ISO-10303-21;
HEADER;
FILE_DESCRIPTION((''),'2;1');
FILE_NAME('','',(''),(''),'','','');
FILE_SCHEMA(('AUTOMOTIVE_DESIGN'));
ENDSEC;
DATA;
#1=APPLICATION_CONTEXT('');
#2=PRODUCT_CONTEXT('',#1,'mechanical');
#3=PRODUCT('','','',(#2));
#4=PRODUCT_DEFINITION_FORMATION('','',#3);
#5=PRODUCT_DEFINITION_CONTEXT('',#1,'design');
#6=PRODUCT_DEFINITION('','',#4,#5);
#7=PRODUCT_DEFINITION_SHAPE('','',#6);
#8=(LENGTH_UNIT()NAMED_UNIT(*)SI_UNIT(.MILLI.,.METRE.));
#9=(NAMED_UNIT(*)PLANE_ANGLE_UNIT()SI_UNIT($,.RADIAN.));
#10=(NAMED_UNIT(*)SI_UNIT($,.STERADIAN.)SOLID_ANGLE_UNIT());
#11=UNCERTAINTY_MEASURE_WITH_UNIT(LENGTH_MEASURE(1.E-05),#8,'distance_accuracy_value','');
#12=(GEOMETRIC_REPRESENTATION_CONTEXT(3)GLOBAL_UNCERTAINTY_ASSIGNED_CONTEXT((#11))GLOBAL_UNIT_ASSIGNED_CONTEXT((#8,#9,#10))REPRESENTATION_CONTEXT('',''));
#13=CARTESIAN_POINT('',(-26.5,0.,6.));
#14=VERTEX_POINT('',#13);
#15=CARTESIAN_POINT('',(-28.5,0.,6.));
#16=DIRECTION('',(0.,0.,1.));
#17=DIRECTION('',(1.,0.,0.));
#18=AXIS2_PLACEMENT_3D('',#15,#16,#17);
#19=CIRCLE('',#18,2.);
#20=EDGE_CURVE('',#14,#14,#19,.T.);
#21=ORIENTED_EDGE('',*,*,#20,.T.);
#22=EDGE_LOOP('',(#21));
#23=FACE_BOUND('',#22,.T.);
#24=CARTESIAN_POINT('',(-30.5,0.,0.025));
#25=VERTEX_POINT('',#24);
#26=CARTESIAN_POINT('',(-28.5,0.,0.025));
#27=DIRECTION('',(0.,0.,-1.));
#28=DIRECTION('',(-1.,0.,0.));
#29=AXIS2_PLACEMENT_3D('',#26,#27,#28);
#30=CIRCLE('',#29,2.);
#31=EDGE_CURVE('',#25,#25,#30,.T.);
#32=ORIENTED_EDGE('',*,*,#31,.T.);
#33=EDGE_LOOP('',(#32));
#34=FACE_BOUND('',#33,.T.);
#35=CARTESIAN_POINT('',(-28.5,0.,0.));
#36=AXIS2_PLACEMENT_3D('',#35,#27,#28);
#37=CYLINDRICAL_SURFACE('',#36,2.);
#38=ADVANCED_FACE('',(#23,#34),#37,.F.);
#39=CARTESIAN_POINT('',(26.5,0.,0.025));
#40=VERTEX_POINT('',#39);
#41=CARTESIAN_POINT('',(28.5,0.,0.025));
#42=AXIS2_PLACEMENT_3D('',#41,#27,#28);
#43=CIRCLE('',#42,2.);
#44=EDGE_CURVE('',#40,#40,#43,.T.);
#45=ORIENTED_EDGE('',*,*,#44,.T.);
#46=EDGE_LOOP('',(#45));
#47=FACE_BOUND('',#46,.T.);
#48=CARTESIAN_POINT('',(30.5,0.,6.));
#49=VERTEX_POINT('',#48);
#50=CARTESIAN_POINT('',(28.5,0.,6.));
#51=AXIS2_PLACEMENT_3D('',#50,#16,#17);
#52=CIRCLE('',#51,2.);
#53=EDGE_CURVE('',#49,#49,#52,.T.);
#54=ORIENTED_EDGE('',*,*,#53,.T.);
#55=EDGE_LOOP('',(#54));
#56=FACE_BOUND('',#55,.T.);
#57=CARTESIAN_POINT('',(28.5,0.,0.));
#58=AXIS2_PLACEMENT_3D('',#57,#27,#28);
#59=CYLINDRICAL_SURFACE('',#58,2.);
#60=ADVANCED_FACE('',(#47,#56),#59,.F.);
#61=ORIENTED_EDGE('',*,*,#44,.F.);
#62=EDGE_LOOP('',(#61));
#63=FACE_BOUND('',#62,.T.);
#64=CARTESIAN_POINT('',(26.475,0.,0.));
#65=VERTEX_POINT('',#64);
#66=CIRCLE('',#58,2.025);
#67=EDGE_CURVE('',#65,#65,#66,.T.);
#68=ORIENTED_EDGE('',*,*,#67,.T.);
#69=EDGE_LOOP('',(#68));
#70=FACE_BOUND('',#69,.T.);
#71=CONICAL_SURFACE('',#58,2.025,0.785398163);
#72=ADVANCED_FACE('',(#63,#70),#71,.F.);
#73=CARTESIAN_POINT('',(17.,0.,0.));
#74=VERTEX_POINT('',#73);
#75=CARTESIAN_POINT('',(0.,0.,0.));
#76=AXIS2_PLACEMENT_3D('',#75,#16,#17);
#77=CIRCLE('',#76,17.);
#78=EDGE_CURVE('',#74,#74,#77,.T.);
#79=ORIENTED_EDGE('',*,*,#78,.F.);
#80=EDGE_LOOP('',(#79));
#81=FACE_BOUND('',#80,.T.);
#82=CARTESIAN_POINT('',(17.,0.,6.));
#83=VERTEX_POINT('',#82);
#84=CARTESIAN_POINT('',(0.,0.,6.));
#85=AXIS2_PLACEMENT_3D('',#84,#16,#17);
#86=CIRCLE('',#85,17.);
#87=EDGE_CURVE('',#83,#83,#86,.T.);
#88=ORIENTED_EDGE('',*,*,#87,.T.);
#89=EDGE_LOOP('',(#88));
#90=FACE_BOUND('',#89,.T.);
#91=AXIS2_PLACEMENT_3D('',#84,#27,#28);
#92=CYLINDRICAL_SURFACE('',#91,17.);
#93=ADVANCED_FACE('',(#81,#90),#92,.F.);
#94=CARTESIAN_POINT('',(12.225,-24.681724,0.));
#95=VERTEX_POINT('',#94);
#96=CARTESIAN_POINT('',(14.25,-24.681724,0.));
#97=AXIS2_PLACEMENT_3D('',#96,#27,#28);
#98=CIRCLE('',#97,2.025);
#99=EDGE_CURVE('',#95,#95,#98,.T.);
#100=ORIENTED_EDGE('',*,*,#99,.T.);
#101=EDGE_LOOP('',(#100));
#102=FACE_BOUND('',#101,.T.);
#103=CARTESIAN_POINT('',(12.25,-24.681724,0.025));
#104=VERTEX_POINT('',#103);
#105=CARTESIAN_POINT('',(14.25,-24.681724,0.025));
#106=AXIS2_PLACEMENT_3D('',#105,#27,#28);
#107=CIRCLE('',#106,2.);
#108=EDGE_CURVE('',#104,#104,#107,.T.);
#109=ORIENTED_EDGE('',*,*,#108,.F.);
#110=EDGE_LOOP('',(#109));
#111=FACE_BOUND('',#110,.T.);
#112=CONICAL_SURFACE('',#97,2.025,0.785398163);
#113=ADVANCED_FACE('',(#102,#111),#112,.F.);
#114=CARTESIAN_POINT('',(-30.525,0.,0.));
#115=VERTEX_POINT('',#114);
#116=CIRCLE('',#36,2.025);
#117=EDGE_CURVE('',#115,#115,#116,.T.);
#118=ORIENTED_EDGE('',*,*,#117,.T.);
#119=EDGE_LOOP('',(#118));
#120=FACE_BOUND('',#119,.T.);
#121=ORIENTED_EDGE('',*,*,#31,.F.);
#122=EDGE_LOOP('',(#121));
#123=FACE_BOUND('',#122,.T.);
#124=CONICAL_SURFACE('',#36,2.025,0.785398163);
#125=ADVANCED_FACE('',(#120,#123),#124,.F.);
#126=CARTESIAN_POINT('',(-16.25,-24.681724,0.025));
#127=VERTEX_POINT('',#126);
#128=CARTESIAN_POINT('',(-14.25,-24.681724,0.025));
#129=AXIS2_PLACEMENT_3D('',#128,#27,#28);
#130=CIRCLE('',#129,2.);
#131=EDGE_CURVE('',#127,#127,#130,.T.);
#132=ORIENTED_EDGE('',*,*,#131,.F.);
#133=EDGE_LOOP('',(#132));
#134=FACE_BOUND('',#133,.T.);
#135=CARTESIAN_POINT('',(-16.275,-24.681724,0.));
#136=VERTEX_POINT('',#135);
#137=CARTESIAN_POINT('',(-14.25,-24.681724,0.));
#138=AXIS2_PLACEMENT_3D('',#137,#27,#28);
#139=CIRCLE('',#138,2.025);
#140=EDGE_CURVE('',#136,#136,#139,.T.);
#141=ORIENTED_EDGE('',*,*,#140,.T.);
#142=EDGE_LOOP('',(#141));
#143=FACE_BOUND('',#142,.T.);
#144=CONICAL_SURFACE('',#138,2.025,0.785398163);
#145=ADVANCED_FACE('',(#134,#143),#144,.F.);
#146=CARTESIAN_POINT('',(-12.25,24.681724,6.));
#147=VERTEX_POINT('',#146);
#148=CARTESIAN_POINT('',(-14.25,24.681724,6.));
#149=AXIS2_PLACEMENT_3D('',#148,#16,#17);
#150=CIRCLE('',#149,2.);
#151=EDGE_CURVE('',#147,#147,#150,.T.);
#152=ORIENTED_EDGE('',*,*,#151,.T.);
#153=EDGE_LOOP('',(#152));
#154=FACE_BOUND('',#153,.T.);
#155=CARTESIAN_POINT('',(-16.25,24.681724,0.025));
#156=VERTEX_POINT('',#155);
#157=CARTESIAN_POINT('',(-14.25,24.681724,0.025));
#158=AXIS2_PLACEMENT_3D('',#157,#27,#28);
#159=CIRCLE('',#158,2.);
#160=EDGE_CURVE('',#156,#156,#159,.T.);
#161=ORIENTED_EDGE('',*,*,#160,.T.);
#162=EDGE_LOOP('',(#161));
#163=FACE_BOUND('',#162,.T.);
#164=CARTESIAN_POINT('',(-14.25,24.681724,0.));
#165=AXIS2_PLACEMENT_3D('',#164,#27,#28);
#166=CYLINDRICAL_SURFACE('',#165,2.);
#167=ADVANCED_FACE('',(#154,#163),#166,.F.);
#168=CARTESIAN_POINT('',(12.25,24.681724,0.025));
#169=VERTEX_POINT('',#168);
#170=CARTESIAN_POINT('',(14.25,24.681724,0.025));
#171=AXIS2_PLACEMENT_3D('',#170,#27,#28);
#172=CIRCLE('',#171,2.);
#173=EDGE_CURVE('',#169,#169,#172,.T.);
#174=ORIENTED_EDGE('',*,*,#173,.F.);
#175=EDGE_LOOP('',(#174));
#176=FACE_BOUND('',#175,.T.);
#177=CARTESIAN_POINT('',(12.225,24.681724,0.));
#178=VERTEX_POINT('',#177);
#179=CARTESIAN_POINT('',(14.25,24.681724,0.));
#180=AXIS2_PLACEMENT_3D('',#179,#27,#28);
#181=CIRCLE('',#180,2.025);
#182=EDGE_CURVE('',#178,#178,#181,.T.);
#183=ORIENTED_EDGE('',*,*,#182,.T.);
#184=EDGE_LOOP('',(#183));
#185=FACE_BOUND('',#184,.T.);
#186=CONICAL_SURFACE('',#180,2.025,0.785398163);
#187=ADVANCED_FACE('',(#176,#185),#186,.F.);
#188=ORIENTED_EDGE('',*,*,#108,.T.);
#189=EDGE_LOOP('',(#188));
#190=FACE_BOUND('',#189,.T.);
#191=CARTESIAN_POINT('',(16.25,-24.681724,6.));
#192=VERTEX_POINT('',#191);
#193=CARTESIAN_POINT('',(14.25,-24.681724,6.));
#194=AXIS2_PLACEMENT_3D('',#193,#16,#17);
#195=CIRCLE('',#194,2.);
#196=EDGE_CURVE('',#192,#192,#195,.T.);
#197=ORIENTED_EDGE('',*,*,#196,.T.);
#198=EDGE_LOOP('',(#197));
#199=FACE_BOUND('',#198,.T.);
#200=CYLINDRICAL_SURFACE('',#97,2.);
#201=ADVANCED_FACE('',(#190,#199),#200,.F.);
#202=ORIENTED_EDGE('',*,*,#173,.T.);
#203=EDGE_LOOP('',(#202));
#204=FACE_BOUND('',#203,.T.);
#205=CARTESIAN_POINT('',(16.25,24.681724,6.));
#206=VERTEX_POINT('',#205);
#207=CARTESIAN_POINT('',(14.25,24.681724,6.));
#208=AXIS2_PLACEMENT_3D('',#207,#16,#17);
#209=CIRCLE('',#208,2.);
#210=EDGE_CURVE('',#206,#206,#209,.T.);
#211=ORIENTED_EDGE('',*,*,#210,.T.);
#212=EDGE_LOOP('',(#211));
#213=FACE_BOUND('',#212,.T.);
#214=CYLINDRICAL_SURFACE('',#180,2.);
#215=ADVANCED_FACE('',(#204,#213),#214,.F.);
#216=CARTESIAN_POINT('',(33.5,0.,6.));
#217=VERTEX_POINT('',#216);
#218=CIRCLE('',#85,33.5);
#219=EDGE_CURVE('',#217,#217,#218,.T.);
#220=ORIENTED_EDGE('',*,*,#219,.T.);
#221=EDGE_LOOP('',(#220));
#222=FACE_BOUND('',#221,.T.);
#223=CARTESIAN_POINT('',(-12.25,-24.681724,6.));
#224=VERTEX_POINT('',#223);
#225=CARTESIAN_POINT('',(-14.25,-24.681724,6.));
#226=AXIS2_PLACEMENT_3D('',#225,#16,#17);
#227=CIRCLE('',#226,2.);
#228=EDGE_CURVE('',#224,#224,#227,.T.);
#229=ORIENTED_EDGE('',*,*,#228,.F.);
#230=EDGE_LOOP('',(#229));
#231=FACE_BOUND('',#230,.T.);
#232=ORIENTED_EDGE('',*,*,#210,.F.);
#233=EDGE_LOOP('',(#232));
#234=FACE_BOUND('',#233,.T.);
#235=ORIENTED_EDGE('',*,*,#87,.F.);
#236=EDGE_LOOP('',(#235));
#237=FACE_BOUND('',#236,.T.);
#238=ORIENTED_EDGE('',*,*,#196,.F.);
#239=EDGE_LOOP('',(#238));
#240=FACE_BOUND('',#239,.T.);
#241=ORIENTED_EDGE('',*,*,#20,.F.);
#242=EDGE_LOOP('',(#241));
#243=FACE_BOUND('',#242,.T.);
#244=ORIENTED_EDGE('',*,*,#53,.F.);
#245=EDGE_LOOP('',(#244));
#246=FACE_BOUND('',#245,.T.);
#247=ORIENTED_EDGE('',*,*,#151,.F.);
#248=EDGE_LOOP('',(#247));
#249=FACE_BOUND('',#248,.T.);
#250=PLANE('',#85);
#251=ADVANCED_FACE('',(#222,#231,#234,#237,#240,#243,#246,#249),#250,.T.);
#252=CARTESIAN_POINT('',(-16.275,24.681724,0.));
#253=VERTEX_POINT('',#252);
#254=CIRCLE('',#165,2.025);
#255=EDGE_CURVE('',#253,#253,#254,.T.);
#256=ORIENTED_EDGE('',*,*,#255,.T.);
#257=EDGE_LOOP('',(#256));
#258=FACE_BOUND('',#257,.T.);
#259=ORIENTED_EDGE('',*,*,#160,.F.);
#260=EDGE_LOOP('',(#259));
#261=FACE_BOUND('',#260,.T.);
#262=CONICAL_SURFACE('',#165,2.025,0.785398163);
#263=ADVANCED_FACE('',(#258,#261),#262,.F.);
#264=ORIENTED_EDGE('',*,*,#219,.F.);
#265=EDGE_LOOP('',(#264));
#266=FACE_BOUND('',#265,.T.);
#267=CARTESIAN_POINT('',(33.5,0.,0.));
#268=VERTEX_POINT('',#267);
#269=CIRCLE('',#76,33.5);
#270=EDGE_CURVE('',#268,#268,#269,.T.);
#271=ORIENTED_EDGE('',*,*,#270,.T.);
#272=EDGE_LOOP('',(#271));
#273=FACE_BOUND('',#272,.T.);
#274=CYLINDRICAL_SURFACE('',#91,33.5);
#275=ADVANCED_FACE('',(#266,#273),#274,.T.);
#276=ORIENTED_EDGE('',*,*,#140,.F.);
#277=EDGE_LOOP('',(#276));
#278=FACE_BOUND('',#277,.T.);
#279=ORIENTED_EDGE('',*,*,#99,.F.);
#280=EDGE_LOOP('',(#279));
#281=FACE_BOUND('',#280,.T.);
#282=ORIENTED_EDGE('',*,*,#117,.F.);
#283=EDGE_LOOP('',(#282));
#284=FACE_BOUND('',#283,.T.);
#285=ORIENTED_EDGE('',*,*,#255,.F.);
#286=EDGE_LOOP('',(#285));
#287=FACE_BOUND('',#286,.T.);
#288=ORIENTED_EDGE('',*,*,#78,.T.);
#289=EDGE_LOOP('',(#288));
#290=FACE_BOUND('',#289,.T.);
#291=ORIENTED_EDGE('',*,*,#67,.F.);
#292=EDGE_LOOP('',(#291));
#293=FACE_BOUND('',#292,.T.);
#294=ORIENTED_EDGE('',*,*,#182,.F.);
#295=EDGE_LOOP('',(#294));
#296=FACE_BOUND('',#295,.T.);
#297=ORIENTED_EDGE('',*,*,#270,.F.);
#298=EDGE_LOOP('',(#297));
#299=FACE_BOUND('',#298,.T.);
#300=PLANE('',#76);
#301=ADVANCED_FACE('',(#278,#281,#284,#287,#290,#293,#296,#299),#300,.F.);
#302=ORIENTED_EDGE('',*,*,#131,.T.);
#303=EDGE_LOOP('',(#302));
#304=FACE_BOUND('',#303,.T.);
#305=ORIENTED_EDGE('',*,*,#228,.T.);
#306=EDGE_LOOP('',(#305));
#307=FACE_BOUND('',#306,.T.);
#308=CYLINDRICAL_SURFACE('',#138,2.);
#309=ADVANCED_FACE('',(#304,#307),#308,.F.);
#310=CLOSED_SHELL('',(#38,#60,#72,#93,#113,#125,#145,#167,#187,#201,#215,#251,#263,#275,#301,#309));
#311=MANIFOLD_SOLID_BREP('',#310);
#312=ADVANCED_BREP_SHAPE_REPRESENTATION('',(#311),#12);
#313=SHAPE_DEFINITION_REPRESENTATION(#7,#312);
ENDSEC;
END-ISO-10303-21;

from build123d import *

# Parameters (mm, degrees)
SKETCH1_R                       = 33.5
SKETCH1_R_2                     = 17
BOSS_EXTRUDE1_DEPTH             = 6
F_4_0MM_DOWEL_HOLE1_D           = 4
F_4_0MM_DOWEL_HOLE1_DEPTH       = 24.5
F_4_0MM_DOWEL_HOLE1_CSINK_D     = 4.05
F_4_0MM_DOWEL_HOLE1_CSINK_ANGLE = 90
F_4_0MM_DOWEL_HOLE1_TIP         = 1.201721238


with BuildPart() as part:
    # Sketch1 → Boss-Extrude1 (new body)
    with BuildSketch(Plane.XY):
        Circle(SKETCH1_R)
        Circle(SKETCH1_R_2, mode=Mode.SUBTRACT)
    extrude(amount=BOSS_EXTRUDE1_DEPTH)

    # Ø4.0mm Dowel Hole1
    with Locations(Plane(origin=(28.5, 0, 0), x_dir=(-1, 0, 0), z_dir=(0, 0, -1))):
        with Locations((0, 0), (14.25, 24.681724008), (42.75, 24.681724008), (57, 0), (42.75, -24.681724008), (14.25, -24.681724008)):
            CounterSinkHole(F_4_0MM_DOWEL_HOLE1_D / 2, F_4_0MM_DOWEL_HOLE1_CSINK_D / 2, depth=F_4_0MM_DOWEL_HOLE1_DEPTH, counter_sink_angle=F_4_0MM_DOWEL_HOLE1_CSINK_ANGLE)
            with Locations((0, 0, -(F_4_0MM_DOWEL_HOLE1_DEPTH + F_4_0MM_DOWEL_HOLE1_TIP / 2))):  # 118° drill point
                Cone(0, F_4_0MM_DOWEL_HOLE1_D / 2, F_4_0MM_DOWEL_HOLE1_TIP, mode=Mode.SUBTRACT)


solid = part.part
